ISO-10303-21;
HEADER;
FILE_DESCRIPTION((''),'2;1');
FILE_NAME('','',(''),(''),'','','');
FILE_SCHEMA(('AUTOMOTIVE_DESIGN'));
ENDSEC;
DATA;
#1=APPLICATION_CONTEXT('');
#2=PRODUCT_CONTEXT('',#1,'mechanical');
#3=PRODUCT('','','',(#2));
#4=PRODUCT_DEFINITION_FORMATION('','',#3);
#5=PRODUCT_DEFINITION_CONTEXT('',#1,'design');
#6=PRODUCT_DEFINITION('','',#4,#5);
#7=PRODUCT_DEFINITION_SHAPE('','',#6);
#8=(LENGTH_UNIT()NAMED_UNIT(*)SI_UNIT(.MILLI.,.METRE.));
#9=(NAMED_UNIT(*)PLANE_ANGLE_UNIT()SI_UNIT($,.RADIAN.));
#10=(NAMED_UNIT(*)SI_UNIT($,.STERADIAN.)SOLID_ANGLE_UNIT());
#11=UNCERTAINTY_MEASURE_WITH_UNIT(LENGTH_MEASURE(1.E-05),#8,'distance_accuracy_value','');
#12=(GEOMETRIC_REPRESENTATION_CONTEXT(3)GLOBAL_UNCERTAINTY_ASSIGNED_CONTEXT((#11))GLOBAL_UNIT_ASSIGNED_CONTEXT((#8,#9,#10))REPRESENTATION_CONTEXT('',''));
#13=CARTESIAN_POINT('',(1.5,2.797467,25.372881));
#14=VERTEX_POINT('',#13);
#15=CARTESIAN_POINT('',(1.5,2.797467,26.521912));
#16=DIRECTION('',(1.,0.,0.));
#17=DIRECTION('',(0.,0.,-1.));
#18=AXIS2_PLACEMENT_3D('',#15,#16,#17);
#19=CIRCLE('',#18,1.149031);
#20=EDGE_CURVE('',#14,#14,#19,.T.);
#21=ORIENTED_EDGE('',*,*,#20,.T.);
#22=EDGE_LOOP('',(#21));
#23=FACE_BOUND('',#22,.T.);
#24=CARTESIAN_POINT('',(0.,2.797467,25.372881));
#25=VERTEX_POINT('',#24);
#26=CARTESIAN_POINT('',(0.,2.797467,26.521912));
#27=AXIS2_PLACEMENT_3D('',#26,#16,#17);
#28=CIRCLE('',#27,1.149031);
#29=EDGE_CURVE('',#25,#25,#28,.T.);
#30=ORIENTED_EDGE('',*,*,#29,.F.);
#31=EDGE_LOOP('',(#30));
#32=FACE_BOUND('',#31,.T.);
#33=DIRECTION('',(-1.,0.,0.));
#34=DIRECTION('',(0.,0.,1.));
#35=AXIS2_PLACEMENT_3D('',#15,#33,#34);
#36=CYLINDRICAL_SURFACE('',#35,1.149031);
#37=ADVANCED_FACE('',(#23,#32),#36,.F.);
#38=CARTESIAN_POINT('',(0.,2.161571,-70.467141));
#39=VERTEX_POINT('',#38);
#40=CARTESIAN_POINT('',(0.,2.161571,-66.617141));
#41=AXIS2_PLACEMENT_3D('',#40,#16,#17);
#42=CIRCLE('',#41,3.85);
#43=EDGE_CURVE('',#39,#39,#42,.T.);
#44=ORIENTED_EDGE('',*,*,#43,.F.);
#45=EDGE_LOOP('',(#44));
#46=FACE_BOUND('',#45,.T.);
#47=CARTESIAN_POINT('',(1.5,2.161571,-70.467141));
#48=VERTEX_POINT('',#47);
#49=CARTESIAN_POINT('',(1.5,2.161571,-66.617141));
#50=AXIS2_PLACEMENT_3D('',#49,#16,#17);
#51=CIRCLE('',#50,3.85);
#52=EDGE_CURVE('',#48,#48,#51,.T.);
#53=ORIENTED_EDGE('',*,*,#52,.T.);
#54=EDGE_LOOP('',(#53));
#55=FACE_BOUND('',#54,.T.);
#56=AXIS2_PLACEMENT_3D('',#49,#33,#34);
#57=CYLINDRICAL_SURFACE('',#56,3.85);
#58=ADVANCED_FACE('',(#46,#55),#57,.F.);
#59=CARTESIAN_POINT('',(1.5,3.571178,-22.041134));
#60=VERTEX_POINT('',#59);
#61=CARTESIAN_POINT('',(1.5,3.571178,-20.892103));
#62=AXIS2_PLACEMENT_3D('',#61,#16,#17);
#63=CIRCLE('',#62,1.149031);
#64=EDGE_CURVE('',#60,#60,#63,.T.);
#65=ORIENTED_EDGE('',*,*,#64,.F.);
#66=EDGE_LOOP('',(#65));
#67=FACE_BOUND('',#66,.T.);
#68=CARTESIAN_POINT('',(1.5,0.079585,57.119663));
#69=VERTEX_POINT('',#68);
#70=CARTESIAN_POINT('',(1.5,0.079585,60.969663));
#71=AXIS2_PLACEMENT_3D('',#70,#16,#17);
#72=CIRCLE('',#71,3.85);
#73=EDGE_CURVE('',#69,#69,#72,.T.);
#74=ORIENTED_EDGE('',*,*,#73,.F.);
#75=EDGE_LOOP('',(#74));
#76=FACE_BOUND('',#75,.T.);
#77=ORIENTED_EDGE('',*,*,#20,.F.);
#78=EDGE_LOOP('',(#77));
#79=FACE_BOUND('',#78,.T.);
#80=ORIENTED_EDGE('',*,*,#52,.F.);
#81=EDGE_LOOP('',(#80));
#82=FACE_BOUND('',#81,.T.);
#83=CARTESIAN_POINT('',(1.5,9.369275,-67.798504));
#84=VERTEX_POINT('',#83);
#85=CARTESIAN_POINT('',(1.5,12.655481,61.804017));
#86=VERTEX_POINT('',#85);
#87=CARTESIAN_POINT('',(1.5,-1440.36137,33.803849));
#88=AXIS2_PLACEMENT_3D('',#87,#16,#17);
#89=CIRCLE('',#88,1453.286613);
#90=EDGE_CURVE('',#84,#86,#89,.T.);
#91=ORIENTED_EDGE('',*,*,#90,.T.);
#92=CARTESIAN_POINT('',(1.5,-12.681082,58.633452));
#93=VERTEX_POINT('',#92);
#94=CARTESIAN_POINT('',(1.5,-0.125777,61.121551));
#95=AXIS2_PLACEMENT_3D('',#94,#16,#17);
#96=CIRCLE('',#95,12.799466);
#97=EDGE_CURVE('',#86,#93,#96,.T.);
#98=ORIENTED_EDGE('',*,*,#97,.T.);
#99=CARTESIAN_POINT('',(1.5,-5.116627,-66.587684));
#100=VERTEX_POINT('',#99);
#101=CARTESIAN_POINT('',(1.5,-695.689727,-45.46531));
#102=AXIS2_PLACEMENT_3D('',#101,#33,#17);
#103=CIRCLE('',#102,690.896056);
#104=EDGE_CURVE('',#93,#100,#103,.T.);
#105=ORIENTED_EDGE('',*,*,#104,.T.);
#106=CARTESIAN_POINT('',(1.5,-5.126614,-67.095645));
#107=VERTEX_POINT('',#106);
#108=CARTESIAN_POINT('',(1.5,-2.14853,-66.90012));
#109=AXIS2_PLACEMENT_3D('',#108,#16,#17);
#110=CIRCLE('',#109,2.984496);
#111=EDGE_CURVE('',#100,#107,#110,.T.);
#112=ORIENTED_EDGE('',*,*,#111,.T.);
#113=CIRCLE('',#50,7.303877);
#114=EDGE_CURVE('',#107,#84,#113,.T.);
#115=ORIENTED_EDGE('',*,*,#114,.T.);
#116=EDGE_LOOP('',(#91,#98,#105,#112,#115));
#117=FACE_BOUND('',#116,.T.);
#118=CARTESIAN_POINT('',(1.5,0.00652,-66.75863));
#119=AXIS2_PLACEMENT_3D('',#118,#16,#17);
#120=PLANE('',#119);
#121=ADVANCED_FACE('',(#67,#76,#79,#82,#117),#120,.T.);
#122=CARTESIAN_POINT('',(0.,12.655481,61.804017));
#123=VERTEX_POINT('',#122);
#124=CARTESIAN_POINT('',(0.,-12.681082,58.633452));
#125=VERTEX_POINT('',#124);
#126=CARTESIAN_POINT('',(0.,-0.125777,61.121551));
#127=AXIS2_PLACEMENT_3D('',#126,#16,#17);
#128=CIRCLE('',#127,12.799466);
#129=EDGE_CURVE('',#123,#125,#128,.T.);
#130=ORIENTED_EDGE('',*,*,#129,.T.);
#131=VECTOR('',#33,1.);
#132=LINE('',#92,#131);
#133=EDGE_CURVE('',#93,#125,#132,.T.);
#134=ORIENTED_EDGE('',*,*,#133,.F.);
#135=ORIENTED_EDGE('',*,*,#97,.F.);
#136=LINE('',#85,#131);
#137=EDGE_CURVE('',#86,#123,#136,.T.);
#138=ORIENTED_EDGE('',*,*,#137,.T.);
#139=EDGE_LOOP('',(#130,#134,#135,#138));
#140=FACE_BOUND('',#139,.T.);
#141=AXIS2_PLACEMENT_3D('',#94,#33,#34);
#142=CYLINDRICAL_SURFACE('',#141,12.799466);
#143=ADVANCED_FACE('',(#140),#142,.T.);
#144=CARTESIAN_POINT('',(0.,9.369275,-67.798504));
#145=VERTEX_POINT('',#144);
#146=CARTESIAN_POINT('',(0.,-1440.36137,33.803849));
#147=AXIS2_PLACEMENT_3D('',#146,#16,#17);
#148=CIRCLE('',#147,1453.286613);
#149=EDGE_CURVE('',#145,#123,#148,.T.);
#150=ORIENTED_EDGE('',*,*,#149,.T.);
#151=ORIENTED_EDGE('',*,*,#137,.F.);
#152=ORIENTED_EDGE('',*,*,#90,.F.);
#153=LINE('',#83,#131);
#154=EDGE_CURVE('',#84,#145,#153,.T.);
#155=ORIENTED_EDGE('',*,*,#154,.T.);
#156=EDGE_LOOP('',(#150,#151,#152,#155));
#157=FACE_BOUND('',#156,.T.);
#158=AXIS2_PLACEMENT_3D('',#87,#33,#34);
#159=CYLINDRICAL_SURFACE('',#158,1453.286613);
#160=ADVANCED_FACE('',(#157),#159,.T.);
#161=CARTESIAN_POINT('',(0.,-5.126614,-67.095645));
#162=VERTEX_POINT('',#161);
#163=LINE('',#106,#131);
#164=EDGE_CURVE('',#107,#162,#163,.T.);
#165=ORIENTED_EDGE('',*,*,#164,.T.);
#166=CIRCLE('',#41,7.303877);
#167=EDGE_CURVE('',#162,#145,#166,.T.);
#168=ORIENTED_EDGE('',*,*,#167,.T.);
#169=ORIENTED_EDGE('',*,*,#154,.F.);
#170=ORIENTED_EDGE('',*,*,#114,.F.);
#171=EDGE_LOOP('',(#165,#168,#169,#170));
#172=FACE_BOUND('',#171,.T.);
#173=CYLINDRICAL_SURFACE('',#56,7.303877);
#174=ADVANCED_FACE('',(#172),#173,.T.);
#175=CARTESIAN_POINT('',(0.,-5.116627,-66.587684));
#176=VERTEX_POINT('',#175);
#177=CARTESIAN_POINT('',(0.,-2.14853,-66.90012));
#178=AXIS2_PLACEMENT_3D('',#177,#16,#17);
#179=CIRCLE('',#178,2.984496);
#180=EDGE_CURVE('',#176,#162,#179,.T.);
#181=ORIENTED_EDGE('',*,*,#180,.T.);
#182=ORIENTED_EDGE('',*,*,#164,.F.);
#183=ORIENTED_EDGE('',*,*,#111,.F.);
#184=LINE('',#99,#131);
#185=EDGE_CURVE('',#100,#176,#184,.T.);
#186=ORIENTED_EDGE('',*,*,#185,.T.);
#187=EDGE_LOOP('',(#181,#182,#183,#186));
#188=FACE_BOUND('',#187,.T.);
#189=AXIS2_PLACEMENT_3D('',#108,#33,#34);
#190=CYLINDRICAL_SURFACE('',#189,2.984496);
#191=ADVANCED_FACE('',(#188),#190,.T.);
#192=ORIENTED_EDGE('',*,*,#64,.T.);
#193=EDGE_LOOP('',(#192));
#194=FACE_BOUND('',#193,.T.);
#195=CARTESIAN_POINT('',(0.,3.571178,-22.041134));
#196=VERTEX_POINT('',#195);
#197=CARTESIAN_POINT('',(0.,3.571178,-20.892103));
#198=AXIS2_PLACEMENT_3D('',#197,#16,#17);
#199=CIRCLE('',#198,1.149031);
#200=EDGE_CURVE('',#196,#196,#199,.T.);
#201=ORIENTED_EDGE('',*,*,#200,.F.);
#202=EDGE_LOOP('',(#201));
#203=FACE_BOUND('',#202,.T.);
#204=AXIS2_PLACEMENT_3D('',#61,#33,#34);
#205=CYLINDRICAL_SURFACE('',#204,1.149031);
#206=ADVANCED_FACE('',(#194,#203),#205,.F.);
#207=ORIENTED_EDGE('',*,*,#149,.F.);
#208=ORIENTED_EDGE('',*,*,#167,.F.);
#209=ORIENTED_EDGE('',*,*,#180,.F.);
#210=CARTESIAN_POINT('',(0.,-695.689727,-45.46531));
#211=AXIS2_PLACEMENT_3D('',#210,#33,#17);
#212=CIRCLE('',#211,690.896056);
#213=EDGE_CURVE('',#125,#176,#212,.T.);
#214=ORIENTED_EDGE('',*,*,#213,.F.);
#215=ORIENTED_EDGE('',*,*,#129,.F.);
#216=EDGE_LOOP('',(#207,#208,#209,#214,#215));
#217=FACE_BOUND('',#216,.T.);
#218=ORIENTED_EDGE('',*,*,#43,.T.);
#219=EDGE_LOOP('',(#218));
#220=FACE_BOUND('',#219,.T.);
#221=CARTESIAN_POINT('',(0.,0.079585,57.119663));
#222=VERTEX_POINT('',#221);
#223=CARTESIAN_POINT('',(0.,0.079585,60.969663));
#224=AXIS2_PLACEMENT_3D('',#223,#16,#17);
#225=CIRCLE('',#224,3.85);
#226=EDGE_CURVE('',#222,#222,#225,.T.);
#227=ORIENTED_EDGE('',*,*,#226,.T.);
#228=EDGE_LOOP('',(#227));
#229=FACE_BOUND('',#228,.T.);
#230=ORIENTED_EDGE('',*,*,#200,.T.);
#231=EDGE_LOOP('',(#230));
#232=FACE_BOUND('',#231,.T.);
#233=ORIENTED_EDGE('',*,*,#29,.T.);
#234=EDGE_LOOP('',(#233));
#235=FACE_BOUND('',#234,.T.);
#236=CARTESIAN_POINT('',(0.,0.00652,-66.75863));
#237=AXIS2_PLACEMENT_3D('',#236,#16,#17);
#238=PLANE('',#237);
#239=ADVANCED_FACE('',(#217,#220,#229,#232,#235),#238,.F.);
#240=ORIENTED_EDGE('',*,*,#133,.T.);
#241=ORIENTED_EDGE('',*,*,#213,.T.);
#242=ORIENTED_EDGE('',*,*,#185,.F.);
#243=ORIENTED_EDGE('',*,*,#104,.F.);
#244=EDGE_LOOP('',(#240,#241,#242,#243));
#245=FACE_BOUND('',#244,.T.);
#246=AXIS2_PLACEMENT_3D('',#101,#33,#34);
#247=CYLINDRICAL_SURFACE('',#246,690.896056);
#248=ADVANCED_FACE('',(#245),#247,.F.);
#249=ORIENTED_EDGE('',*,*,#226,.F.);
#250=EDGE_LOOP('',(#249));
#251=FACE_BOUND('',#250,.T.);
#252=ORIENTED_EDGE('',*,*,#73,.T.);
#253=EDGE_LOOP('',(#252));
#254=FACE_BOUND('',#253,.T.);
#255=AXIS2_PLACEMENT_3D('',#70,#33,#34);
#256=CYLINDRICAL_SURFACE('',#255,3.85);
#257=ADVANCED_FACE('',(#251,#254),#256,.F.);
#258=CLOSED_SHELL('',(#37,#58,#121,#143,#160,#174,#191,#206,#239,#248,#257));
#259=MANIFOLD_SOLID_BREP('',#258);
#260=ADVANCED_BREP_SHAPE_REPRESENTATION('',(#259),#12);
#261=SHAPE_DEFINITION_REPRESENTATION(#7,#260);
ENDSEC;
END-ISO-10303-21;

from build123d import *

# Parameters (mm, degrees)
SKETCH_1_R      = 3.85
SKETCH_1_R_2    = 1.149031008
EXTRUDE_1_DEPTH = 1.5


with BuildPart() as part:
    # 草圖1 → 填料-伸長1 (new body)
    with BuildSketch(Plane(origin=(0, 0, 0), x_dir=(0, 0, -1), z_dir=(1, 0, 0))):
        with BuildLine():
            ThreePointArc((66.587683924, -5.116627236), (3.80507147, -6.050846657), (-58.633451622, -12.681082444))
            ThreePointArc((-58.633451622, -12.681082444), (-73.821962275, -1.715080477), (-61.804017134, 12.655481431))
            ThreePointArc((-61.804017134, 12.655481431), (3.033906142, 12.458288366), (67.798504291, 9.369274541))
            ThreePointArc((67.798504291, 9.369274541), (73.912446594, 1.807845069), (67.095645487, -5.12661445))
            ThreePointArc((67.095645487, -5.12661445), (66.8414518, -5.132449469), (66.587683924, -5.116627236))
        make_face()
        with Locations((66.61714054, 2.16157088)):
            Circle(SKETCH_1_R, mode=Mode.SUBTRACT)
        with Locations((-60.969663313, 0.079585479)):
            Circle(SKETCH_1_R, mode=Mode.SUBTRACT)
        with Locations((20.89210292, 3.571177524)):
            Circle(SKETCH_1_R_2, mode=Mode.SUBTRACT)
        with Locations((-26.521912025, 2.797466734)):
            Circle(SKETCH_1_R_2, mode=Mode.SUBTRACT)
    extrude(amount=EXTRUDE_1_DEPTH)


solid = part.part
